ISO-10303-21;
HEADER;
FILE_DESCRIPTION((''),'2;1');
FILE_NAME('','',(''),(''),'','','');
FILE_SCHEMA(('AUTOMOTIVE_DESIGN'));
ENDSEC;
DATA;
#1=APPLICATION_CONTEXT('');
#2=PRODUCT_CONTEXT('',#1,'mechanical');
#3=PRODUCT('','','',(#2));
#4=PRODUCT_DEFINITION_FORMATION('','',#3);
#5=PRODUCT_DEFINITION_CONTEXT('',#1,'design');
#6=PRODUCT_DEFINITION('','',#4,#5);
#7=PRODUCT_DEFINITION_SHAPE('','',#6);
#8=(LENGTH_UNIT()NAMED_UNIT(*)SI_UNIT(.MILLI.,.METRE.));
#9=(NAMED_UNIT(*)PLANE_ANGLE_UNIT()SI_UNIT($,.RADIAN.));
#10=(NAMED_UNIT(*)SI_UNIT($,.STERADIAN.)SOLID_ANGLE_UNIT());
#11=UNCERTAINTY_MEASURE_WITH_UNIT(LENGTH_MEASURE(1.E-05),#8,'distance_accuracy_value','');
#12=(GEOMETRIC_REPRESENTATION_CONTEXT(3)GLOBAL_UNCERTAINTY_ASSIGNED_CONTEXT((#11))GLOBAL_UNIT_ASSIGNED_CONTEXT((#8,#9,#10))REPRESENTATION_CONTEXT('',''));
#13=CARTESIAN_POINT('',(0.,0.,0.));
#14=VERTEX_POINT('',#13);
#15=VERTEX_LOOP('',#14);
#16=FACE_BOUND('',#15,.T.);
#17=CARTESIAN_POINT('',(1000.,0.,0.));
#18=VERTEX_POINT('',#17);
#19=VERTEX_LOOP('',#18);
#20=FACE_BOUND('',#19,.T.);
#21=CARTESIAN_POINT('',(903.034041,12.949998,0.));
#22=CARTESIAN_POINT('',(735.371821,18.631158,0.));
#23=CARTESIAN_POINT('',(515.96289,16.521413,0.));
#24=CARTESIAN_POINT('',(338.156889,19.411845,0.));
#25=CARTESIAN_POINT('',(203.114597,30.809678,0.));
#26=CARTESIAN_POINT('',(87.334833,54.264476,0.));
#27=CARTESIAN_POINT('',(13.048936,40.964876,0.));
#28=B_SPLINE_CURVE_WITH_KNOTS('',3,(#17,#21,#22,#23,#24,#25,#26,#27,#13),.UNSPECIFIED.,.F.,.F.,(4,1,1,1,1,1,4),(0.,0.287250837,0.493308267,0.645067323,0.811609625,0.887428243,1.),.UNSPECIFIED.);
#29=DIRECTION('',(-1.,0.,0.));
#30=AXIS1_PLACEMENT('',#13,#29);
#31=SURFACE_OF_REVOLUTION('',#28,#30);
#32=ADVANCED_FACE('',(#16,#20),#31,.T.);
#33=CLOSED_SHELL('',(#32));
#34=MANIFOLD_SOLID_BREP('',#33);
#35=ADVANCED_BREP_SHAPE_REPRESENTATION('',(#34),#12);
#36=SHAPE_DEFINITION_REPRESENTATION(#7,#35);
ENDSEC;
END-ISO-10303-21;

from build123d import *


with BuildPart() as part:
    # 草图1 → 旋转1 (revolve)
    with BuildSketch(Plane.XY):
        with BuildLine():
            Line((0, 0), (1000, 0))
            add(Edge.make_bspline(
                [(0, 0), (13.04893632, 40.964875521), (87.334832765, 54.264476089), (203.114596793, 30.809677557), (338.15688901, 19.411844986), (515.962890225, 16.521412853), (735.371820765, 18.631157633), (903.034041004, 12.949998009), (1000, 0)],
                knots=[0, 0, 0, 0, 0.112571757, 0.188390375, 0.354932677, 0.506691733, 0.712749163, 1, 1, 1, 1], degree=3))
        make_face()
    revolve(axis=Axis((0, 0, 0), (1, 0, 0)))


solid = part.part
